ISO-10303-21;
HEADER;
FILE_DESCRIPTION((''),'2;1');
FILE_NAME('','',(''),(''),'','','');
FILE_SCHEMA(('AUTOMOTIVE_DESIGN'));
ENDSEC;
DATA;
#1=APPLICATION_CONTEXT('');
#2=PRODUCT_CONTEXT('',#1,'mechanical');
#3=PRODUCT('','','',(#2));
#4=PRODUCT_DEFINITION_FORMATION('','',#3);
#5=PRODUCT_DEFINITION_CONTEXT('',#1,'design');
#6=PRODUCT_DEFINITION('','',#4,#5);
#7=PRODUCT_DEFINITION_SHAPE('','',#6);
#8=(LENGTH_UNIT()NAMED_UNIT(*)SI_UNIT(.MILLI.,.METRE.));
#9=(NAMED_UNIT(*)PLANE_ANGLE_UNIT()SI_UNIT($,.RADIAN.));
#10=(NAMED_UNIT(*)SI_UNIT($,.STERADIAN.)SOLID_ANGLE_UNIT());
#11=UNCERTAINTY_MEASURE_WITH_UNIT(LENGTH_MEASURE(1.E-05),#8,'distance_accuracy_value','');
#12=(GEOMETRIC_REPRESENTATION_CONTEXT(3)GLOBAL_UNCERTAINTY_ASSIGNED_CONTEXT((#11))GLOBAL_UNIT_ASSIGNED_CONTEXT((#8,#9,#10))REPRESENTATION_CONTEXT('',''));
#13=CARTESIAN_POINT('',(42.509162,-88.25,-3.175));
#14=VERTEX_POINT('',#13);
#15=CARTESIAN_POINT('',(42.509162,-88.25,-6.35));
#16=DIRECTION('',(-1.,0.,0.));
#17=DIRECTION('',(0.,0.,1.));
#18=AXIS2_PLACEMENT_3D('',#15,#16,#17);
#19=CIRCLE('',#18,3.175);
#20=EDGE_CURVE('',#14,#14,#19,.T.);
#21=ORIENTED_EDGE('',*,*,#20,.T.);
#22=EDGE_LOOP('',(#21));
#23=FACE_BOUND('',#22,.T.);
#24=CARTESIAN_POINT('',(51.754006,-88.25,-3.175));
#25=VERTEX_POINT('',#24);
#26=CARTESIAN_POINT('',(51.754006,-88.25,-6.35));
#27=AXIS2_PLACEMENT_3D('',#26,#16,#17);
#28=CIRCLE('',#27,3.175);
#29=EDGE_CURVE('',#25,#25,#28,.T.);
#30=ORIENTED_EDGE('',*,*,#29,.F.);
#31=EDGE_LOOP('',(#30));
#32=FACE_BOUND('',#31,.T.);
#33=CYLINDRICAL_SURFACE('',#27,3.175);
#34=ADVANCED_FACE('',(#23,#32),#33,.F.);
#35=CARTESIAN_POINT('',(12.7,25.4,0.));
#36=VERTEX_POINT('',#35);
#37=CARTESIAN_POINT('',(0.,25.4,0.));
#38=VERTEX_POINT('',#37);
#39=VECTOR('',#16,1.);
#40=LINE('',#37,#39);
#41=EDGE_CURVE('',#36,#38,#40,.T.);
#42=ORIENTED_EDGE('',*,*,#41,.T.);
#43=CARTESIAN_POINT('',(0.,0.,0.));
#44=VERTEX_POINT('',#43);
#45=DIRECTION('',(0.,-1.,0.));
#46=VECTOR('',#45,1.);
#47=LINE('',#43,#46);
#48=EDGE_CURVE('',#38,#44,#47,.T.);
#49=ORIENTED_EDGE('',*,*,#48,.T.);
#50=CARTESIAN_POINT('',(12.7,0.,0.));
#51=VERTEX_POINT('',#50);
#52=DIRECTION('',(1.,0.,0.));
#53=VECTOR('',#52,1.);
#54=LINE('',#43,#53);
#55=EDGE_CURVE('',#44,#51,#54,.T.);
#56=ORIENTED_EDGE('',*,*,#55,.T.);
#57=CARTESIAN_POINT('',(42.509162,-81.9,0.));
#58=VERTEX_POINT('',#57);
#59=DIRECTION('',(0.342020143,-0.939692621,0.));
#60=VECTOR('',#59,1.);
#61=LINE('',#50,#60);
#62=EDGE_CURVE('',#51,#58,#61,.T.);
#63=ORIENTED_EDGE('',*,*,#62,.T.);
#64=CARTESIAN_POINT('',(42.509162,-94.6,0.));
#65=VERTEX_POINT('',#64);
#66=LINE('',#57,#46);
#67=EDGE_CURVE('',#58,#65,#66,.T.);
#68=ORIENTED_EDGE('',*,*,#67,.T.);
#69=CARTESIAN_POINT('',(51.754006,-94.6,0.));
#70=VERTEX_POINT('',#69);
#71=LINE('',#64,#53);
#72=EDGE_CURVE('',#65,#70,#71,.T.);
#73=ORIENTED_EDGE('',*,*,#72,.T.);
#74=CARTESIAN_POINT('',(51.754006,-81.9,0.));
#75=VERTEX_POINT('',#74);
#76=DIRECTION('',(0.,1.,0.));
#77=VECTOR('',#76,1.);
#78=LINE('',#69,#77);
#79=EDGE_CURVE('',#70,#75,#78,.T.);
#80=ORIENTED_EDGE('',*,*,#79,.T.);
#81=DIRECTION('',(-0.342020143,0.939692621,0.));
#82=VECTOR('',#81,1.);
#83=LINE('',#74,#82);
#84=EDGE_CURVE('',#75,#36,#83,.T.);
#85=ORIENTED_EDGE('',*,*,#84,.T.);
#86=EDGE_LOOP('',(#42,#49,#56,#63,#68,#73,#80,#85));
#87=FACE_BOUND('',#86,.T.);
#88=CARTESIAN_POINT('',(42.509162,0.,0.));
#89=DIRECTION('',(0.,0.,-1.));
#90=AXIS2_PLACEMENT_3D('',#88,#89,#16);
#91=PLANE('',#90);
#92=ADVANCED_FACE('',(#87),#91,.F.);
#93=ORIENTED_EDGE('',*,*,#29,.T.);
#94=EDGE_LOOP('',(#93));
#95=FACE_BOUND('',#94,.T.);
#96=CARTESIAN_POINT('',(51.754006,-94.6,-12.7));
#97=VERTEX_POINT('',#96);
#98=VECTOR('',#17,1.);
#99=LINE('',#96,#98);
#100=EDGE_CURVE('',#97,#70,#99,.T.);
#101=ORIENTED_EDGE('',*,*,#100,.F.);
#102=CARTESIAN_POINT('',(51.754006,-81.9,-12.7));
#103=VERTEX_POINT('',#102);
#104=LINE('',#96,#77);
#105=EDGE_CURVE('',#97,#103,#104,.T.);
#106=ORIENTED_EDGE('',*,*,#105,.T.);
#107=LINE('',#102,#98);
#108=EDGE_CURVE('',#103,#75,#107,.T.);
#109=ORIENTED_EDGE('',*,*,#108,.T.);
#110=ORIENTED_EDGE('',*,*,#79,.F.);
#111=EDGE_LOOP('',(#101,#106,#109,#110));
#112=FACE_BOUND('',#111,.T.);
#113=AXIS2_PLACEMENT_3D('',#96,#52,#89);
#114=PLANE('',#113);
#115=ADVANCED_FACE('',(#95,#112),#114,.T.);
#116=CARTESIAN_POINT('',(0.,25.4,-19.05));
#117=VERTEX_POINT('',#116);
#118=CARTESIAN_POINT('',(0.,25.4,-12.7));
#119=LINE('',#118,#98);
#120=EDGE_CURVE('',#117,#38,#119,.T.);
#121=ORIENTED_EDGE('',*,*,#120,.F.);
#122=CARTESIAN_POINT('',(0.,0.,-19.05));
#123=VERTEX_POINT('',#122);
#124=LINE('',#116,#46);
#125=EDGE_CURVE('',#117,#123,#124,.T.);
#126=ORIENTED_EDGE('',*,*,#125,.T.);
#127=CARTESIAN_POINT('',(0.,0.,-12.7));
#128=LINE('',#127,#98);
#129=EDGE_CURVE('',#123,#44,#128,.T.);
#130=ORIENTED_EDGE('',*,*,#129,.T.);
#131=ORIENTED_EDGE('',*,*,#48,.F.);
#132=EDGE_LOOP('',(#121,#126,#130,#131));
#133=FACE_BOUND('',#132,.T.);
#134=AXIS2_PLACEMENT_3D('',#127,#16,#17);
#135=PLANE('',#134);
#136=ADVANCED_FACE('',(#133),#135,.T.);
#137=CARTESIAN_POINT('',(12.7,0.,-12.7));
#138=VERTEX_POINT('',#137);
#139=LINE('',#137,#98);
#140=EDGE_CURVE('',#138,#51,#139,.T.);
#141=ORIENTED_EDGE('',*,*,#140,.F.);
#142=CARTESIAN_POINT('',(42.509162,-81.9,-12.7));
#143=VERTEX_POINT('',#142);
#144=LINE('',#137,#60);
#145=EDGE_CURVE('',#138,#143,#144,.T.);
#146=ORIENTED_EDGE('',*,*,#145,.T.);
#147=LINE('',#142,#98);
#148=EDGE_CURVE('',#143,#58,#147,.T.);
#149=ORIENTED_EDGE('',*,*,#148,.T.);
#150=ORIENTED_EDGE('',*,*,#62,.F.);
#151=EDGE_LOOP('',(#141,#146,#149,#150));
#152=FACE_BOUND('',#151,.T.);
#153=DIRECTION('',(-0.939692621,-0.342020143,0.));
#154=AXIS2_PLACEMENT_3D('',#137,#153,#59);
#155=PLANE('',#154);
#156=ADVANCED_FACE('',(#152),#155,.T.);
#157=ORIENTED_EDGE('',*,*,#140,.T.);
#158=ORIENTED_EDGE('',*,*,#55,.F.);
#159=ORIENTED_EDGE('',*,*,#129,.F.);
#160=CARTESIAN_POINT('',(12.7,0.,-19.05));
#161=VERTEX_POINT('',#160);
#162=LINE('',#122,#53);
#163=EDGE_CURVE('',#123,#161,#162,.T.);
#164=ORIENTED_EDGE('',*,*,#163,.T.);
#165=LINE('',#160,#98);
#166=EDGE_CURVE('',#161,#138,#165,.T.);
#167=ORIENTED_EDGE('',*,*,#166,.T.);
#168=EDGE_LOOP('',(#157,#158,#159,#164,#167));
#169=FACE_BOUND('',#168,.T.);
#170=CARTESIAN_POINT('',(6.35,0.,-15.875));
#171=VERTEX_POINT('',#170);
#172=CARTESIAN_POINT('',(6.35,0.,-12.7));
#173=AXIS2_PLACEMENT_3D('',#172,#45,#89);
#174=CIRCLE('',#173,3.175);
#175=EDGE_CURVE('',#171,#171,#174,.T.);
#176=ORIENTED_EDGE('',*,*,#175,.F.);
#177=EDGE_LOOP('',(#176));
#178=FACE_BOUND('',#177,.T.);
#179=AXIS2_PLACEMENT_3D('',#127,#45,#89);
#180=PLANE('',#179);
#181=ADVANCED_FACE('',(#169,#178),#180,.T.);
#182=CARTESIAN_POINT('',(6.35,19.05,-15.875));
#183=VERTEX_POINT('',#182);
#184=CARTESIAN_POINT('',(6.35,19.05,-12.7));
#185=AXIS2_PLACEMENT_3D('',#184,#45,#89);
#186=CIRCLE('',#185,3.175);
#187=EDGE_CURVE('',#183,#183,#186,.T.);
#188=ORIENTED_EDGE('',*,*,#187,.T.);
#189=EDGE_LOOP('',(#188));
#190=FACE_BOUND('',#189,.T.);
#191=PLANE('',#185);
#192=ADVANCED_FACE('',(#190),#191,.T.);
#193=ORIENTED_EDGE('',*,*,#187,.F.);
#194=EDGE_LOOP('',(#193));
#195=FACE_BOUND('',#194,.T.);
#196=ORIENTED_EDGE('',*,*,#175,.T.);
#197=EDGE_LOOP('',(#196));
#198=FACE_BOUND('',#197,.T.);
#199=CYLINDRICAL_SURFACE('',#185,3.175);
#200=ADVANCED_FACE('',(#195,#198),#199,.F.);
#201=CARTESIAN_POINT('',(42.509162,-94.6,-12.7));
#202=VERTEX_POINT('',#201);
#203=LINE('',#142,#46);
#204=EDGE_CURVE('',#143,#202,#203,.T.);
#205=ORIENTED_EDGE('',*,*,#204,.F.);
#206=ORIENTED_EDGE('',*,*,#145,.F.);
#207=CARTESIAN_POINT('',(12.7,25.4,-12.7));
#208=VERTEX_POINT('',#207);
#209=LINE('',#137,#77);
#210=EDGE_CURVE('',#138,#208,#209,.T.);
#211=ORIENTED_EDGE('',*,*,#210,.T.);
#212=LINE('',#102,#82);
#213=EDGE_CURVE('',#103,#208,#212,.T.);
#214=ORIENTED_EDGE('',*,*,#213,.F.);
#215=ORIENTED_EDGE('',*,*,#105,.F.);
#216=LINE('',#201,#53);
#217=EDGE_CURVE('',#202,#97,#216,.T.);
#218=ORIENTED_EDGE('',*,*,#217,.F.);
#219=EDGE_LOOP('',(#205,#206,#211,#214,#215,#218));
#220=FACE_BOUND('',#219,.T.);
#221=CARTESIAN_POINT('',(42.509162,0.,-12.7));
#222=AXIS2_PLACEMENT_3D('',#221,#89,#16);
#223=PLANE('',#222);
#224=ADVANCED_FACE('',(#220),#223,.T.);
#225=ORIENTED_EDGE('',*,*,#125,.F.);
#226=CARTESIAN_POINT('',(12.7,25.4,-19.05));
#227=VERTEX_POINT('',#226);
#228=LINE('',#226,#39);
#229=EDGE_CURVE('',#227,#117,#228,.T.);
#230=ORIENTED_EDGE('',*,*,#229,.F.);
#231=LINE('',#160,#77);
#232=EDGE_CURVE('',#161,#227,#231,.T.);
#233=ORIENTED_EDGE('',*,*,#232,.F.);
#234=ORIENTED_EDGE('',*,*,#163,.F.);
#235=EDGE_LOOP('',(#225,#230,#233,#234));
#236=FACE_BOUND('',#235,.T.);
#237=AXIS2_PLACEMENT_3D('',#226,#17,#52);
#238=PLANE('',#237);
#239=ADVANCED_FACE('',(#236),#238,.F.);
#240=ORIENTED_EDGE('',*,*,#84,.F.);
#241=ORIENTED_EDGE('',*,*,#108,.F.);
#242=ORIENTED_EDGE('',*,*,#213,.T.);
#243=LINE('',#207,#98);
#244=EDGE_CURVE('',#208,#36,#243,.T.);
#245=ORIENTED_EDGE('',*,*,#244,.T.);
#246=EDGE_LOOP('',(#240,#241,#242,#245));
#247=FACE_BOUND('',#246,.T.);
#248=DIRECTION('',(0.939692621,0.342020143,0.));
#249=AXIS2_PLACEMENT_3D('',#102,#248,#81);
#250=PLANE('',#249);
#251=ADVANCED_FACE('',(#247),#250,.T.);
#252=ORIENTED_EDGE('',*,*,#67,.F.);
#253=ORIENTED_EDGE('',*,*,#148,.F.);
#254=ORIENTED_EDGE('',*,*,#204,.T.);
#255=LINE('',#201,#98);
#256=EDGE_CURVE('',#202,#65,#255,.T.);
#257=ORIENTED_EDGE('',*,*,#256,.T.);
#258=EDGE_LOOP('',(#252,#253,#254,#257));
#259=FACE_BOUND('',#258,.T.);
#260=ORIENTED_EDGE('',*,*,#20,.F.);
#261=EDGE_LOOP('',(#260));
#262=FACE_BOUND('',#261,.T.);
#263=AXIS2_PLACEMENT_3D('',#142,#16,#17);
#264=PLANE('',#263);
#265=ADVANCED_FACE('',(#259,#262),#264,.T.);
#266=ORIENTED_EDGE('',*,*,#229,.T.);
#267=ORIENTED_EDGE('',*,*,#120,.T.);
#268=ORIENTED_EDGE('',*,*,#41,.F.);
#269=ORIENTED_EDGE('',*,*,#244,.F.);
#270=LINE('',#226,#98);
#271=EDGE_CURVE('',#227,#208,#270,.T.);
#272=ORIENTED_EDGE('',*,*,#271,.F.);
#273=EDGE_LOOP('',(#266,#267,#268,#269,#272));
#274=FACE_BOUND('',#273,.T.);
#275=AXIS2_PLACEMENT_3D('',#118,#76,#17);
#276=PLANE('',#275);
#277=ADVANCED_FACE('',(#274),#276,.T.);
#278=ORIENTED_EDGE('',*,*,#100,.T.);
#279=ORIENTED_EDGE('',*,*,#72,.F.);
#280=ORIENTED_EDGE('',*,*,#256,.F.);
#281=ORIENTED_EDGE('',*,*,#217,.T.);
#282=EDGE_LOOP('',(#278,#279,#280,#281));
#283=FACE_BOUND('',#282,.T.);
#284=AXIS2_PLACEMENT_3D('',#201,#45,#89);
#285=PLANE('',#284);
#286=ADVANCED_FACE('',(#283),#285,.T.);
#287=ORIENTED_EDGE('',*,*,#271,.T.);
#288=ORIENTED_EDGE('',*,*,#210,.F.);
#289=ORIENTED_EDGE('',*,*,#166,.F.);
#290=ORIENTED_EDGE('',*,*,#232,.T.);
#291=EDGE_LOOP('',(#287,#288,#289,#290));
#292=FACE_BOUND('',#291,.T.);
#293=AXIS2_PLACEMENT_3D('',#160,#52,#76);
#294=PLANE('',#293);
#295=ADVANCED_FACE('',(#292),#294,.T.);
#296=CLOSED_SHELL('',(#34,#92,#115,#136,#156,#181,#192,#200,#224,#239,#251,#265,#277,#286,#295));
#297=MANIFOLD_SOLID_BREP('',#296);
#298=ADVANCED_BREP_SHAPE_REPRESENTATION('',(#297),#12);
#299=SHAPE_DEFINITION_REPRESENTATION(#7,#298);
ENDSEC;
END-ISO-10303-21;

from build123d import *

# Parameters (mm, degrees)
BOSS_EXTRUDE1_DEPTH = 12.7
SKETCH2_R           = 3.175
CUT_EXTRUDE1_DEPTH  = 10.24484395
SKETCH5_W           = 12.7
SKETCH5_H           = 25.4
BOSS_EXTRUDE2_DEPTH = 6.35
SKETCH4_R           = 3.175
CUT_EXTRUDE2_DEPTH  = 19.05


with BuildPart() as part:
    # Sketch1 → Boss-Extrude1 (new body)
    with BuildSketch(Plane.XY):
        Polygon((0, 0), (0, 25.4), (12.7, 25.4), (51.754006137, -81.9), (51.754006137, -94.6), (42.509162186, -94.6), (42.509162186, -81.9), (12.7, 0), align=None)
    extrude(amount=-BOSS_EXTRUDE1_DEPTH)

    # Sketch2 → Cut-Extrude1 (cut, through all)
    with BuildSketch(Plane.ZY.offset(-42.509162186)):
        with Locations((-6.35, -88.25)):
            Circle(SKETCH2_R)
    extrude(amount=-CUT_EXTRUDE1_DEPTH, mode=Mode.SUBTRACT)

    # Sketch5 → Boss-Extrude2 (add)
    with BuildSketch(Plane.XY.offset(-12.7)):
        with Locations((6.35, 12.7)):
            Rectangle(SKETCH5_W, SKETCH5_H)
    extrude(amount=-BOSS_EXTRUDE2_DEPTH)

    # Sketch4 → Cut-Extrude2 (cut)
    with BuildSketch(Plane.XZ):
        with Locations((6.35, -12.7)):
            Circle(SKETCH4_R)
    extrude(amount=-CUT_EXTRUDE2_DEPTH, mode=Mode.SUBTRACT)


solid = part.part
